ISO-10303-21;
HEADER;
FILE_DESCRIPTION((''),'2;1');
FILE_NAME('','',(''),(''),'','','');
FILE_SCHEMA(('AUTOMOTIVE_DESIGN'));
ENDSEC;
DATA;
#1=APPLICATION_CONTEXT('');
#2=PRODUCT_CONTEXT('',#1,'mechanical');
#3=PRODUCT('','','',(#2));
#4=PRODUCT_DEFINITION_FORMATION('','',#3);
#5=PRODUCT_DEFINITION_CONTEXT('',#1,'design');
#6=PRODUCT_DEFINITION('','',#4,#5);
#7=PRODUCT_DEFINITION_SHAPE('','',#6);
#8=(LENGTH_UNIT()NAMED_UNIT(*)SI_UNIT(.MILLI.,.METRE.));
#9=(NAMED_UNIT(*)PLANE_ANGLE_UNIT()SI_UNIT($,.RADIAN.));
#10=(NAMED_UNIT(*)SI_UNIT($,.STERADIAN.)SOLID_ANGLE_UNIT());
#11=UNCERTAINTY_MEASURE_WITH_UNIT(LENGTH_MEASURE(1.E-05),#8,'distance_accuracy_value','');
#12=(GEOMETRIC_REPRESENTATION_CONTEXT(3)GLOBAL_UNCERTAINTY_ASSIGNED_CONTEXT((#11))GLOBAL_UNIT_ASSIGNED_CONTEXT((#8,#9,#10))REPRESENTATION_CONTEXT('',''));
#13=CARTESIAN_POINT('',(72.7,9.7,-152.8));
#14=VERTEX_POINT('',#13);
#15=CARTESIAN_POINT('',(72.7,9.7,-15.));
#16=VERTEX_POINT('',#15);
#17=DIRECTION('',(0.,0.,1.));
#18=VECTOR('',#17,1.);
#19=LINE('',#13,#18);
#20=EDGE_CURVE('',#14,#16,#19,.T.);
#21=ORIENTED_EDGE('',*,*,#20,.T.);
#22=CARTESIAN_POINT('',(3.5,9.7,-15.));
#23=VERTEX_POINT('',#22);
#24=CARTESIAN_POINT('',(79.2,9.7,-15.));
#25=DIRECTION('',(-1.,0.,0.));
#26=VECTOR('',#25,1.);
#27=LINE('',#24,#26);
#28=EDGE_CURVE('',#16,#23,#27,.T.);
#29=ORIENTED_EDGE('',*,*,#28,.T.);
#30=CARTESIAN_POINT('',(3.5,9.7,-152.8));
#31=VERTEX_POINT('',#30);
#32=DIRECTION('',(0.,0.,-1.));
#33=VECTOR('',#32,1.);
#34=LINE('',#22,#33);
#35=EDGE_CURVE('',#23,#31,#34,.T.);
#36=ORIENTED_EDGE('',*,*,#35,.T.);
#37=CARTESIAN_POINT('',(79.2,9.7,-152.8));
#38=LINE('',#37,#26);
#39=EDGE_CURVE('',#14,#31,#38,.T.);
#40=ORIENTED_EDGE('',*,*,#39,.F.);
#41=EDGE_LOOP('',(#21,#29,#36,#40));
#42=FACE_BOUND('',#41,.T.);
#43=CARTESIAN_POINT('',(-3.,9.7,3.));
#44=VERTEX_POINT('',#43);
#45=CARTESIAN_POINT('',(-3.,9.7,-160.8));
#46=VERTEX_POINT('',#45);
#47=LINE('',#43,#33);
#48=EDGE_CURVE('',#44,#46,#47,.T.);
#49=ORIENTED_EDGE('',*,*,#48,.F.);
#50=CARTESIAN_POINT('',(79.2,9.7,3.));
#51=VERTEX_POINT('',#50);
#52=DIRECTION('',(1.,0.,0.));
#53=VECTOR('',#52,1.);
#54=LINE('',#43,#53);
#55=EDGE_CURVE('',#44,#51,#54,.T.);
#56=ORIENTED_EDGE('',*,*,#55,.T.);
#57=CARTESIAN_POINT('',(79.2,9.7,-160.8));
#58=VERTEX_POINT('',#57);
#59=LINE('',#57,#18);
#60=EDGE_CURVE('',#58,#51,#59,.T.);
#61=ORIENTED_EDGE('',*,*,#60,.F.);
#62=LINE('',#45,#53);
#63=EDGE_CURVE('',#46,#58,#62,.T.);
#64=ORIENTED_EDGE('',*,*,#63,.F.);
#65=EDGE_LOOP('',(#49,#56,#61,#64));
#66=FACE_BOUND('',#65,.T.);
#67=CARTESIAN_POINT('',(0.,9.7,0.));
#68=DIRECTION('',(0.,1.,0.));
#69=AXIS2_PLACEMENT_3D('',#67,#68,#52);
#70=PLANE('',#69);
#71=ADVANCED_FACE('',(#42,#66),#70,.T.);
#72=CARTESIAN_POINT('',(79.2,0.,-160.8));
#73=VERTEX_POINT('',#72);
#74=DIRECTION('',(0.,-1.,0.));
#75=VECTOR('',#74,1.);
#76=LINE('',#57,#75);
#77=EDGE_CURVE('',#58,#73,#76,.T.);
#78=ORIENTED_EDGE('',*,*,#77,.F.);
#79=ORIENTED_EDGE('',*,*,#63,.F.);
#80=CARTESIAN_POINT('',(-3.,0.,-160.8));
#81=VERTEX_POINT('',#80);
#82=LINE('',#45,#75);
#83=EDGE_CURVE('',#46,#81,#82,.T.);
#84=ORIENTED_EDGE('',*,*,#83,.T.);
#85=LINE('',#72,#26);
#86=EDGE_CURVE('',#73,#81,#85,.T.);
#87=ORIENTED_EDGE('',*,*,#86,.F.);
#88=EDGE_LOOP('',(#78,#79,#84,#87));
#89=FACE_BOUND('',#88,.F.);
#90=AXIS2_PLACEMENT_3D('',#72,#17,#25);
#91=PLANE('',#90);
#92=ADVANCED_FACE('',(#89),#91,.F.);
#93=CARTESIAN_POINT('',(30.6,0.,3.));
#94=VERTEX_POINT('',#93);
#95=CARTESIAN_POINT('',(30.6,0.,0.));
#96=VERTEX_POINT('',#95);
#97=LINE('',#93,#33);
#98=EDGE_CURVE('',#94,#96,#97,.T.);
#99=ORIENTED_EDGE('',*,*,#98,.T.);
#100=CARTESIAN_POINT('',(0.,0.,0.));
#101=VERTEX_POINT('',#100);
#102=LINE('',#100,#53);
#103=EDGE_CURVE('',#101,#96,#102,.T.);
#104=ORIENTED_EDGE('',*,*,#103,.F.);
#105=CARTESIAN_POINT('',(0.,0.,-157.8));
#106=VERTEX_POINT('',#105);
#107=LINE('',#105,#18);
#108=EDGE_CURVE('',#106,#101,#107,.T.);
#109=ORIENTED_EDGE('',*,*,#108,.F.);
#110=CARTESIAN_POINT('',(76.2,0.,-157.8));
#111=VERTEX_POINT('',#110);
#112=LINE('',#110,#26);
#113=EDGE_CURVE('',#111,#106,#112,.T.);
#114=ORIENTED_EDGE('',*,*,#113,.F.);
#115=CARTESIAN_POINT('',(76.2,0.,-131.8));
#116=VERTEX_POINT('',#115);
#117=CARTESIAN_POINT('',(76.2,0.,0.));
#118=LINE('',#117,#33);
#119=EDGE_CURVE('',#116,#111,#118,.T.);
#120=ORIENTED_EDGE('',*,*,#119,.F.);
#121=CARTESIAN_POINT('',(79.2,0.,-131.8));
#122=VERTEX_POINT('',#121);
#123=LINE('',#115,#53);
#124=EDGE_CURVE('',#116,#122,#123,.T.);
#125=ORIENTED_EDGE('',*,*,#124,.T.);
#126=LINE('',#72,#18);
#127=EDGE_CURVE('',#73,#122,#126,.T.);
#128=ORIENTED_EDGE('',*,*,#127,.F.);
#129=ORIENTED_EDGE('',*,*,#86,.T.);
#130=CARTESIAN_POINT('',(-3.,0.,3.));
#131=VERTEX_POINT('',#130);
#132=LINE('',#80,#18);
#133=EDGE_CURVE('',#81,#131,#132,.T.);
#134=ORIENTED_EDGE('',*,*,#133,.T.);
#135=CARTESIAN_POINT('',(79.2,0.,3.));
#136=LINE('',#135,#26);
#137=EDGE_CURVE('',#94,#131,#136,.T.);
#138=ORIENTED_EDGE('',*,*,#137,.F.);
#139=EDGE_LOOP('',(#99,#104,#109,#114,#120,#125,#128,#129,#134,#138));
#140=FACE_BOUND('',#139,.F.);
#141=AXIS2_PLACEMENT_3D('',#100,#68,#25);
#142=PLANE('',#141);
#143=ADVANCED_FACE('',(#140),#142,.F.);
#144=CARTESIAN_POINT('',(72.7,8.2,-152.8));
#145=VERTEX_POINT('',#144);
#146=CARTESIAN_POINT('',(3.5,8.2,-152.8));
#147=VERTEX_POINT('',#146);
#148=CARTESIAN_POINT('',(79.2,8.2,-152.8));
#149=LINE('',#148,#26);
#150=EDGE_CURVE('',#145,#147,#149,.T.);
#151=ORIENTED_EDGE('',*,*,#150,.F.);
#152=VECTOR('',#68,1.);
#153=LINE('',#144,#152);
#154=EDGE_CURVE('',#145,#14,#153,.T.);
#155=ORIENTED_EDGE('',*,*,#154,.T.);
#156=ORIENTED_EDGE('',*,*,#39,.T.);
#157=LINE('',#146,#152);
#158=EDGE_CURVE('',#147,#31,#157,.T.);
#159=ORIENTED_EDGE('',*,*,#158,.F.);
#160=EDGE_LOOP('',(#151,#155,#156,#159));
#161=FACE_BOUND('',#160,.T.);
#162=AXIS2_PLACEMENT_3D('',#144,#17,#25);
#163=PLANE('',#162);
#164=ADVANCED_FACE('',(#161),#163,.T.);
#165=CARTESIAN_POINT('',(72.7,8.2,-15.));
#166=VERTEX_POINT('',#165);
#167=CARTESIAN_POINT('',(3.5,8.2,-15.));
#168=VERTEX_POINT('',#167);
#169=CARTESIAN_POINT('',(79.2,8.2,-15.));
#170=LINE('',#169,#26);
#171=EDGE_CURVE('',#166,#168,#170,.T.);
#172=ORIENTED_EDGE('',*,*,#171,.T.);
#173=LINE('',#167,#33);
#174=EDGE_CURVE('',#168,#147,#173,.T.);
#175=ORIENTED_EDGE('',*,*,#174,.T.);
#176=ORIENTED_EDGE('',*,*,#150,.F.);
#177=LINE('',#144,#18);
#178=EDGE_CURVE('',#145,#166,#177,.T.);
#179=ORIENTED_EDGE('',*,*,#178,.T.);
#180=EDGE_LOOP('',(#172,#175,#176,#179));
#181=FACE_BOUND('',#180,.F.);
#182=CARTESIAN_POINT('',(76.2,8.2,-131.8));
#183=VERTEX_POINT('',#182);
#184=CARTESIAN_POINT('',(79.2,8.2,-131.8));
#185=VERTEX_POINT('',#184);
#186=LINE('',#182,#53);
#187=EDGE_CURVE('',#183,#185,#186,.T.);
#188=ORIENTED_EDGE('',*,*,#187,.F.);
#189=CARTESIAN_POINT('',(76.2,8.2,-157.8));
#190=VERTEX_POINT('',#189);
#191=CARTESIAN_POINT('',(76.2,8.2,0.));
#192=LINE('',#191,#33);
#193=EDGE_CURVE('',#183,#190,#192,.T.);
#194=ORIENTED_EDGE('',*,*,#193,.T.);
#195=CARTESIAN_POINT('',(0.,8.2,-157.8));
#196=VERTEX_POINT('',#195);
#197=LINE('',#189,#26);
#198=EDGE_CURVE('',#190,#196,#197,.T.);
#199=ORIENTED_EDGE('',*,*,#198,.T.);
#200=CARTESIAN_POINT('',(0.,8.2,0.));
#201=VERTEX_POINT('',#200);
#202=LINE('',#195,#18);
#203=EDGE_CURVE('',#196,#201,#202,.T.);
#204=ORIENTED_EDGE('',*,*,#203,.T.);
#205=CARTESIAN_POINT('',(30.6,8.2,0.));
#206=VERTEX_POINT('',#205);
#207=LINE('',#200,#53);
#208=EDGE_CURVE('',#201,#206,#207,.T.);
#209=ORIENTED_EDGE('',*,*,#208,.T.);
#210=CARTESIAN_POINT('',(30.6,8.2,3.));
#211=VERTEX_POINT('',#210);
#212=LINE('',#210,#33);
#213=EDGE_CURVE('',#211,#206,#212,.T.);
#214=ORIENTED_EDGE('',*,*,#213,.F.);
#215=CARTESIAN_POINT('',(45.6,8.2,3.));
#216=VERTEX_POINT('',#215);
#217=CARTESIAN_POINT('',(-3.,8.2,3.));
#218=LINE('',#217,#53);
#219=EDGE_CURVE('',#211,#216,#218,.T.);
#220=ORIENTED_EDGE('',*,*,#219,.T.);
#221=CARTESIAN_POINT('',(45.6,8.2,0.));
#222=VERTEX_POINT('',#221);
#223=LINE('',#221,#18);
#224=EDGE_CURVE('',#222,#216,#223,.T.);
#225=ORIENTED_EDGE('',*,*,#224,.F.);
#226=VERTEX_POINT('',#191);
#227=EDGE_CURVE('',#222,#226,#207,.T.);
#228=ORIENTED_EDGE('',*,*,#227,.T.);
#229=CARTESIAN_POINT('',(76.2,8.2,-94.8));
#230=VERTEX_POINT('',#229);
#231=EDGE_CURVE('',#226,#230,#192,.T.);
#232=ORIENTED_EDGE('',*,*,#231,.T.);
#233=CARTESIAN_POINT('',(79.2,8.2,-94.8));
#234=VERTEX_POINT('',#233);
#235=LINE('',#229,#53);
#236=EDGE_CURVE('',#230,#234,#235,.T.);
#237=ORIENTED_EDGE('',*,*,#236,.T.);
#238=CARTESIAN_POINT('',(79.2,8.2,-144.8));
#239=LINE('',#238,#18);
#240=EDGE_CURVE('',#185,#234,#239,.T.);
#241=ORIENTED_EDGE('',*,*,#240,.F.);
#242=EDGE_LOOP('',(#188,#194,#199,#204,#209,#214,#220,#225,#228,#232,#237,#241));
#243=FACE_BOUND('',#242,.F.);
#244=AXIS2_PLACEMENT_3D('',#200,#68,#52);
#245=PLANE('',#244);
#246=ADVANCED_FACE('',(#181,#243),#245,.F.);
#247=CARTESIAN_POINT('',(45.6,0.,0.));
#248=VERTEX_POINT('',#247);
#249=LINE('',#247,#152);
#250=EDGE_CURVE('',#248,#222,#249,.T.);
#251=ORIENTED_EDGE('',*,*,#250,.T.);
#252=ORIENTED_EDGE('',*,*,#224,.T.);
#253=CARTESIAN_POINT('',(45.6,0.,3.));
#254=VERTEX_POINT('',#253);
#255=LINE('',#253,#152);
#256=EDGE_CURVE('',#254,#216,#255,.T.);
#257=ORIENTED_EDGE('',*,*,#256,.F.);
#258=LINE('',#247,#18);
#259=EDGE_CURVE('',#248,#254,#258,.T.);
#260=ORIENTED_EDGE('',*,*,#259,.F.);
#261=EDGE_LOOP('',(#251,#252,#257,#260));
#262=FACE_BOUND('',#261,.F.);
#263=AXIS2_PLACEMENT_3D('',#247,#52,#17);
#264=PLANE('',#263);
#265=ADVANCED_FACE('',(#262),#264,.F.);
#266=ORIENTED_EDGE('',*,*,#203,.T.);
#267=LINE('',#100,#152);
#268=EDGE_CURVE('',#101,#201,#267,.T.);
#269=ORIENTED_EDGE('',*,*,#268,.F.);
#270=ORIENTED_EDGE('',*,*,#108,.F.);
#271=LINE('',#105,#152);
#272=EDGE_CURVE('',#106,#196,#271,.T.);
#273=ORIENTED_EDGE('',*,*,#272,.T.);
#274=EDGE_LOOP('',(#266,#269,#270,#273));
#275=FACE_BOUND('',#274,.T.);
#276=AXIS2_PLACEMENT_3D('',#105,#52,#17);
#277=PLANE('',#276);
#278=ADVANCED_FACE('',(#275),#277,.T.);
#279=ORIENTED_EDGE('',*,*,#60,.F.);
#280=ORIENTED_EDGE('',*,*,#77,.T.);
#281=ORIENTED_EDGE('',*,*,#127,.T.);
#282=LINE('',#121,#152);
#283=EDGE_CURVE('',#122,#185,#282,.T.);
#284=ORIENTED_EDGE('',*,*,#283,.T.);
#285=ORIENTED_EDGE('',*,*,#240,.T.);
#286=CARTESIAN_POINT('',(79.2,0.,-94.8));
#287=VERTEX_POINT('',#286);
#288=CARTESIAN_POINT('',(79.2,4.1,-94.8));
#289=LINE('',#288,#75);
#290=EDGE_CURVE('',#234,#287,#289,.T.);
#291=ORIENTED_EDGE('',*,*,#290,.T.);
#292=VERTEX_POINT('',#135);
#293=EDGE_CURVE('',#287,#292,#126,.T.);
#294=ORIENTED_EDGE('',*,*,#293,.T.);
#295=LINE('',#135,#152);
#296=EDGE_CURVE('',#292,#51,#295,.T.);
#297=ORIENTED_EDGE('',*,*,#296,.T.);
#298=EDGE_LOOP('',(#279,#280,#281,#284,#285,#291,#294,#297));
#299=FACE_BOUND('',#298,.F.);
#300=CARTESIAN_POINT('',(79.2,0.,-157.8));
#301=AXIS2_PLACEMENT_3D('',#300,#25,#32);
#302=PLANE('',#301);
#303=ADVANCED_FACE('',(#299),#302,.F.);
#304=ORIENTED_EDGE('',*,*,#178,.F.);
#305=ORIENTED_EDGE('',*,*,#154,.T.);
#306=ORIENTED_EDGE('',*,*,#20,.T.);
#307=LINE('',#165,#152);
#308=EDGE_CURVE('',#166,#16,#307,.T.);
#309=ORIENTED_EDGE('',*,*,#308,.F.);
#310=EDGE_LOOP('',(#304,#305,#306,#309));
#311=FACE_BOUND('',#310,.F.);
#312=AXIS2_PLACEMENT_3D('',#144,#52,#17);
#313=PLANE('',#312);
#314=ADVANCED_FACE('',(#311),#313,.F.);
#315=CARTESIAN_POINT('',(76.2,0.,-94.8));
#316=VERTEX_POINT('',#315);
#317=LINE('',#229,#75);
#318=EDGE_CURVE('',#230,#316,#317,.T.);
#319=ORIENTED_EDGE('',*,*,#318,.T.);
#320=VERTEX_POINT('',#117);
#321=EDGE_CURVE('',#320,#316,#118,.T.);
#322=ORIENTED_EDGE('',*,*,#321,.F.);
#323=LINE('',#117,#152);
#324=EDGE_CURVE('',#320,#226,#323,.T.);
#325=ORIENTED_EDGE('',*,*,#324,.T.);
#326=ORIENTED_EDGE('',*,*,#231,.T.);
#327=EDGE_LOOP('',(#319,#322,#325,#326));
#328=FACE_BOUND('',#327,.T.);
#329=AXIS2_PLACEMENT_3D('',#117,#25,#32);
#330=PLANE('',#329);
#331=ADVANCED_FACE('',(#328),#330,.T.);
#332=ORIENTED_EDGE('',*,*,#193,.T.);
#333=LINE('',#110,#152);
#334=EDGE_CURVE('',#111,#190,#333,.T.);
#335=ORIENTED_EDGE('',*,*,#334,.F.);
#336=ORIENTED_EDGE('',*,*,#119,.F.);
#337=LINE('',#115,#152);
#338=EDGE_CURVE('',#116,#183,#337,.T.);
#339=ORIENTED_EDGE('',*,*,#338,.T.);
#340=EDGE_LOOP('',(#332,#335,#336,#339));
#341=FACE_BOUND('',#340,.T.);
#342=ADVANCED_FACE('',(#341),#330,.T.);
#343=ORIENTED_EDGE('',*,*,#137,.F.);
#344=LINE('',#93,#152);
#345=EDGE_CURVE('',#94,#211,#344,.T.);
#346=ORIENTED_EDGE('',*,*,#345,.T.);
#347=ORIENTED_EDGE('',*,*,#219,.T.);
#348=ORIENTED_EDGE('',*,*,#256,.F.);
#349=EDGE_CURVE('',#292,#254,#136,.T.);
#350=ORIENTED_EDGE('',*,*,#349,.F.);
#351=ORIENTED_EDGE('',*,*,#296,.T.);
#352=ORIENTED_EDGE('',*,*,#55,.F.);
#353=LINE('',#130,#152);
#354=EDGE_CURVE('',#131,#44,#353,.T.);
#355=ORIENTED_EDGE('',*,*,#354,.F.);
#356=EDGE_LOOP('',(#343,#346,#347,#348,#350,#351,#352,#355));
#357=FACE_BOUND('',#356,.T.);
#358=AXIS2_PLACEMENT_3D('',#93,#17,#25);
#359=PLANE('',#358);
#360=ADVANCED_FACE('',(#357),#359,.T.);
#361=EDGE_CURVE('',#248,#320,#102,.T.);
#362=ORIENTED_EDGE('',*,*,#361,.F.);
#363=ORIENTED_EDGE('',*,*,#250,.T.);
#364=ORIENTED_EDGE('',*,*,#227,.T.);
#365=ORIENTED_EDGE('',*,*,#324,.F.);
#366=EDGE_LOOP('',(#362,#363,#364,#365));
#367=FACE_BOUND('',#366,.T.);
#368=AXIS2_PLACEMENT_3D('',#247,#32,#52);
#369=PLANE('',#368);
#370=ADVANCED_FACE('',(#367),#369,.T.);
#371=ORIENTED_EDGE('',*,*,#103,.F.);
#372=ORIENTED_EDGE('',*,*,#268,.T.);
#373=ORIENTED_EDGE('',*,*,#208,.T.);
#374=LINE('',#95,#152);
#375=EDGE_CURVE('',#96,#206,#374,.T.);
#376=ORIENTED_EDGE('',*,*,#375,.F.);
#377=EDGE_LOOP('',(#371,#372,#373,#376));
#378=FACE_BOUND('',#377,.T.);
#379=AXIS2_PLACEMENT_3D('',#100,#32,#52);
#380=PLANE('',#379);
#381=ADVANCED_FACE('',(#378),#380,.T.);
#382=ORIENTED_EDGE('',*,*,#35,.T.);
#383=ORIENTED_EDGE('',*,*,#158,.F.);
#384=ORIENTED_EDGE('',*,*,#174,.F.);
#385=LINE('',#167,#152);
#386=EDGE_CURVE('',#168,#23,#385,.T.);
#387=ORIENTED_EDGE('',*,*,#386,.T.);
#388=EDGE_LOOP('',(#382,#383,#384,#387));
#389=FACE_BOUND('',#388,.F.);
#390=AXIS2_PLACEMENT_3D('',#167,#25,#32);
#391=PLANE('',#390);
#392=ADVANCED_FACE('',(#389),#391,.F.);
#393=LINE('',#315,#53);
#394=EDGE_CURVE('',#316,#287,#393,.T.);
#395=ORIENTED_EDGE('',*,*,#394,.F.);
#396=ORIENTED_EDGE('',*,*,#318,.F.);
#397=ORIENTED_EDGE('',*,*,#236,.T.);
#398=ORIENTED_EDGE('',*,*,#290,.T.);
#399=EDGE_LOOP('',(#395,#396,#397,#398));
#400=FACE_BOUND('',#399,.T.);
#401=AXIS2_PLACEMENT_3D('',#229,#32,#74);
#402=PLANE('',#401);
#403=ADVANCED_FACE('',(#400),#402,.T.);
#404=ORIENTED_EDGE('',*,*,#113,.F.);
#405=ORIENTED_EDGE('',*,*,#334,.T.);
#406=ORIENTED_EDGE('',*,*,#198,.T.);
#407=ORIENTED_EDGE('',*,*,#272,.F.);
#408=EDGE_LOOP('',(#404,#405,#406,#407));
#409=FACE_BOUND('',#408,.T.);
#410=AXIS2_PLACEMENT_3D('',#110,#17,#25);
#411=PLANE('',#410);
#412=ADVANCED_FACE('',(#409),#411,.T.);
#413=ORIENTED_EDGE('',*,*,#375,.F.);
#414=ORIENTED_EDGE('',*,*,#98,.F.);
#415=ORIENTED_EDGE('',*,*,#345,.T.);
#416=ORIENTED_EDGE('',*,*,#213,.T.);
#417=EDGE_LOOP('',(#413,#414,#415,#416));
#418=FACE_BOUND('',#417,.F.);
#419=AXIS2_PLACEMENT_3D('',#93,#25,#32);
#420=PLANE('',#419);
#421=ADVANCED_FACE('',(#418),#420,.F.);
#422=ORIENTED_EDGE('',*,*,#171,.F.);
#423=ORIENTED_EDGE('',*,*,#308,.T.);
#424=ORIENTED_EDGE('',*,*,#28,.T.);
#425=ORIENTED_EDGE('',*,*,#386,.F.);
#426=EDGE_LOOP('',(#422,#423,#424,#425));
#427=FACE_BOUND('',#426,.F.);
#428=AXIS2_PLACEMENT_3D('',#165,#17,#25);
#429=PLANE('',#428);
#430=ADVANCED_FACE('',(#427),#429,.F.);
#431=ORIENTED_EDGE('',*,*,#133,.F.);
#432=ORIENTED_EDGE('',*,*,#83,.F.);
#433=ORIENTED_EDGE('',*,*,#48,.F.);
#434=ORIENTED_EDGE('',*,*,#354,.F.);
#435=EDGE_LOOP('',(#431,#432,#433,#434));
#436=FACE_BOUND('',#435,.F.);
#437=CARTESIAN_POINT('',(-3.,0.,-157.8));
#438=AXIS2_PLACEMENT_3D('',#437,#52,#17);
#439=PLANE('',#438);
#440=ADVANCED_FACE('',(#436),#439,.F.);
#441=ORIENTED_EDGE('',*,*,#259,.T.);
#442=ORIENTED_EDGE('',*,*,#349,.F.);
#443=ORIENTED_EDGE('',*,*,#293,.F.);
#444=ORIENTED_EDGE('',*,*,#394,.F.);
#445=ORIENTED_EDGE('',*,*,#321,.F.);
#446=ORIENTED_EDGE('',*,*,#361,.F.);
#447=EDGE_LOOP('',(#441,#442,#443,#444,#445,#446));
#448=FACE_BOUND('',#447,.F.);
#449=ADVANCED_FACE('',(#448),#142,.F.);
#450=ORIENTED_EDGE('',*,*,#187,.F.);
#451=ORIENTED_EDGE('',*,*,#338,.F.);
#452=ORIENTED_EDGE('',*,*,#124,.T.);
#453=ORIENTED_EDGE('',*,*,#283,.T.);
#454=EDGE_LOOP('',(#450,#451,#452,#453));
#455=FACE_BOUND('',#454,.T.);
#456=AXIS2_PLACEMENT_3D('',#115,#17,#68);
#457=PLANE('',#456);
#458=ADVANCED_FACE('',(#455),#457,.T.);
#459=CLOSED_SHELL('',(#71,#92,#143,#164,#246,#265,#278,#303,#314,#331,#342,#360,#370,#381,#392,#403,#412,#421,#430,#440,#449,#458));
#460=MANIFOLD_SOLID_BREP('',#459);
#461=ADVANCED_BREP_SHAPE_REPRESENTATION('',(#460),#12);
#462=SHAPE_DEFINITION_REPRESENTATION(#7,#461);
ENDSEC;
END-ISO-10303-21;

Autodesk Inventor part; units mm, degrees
ref_plane "YZ Plane" through (0, 0, 0) normal (1, 0, 0) x (0, 1, 0)
ref_plane "XZ Plane" through (0, 0, 0) normal (0, 1, 0) x (-1, 0, 0)
ref_plane "XY Plane" through (0, 0, 0) normal (0, 0, 1) x (1, 0, 0)
sketch "Sketch1" plane through (0, 0, 0) normal (0, 1, 0) x (-1, 0, 0)
  line L0 (0, 0) -> (-76.2, 0)
  line L1 (-76.2, 0) -> (-76.2, -157.8)
  line L2 (-76.2, -157.8) -> (0, -157.8)
  line L3 (0, -157.8) -> (0, 0)
  line L4 (-76.2, -157.8) -> (-79.2, -157.8)
  line L5 (-79.2, -157.8) -> (-79.2, 0)
  line L6 (-79.2, 0) -> (-76.2, 0)
  line L7 (-76.2, 0) -> (-76.2, -157.8)
  line L8 (0, -157.8) -> (3, -157.8)
  line L9 (3, -157.8) -> (3, 0)
  line L10 (3, 0) -> (0, 0)
  line L11 (0, 0) -> (0, -157.8)
  line L12 (3, 0) -> (-79.2, 0)
  line L13 (-79.2, 0) -> (-79.2, 3)
  line L14 (-79.2, 3) -> (3, 3)
  line L15 (3, 3) -> (3, 0)
  line L16 (-30.6, 0) -> (-45.6, 0)
  line L17 (-45.6, 0) -> (-45.6, 3)
  line L18 (-45.6, 3) -> (-30.6, 3)
  line L19 (-30.6, 3) -> (-30.6, 0)
  line L20 (3, -157.8) -> (-79.2, -157.8)
  line L21 (-79.2, -157.8) -> (-79.2, -160.8)
  line L22 (-79.2, -160.8) -> (3, -160.8)
  line L23 (3, -160.8) -> (3, -157.8)
  dimension "d0" = 76.2
  dimension "d1" = 157.8
  dimension "d2" = 3
  dimension "d3" = 3
  dimension "d4" = 3
  dimension "d5" = 15
  dimension "d6" = 33.6
  dimension "d7" = 33.6
  dimension "d8" = 3
extrude "Extrusion1" add sketch "Sketch1" along normal blind 8.2 contours L10 L9 L8 L3 | L0 L19 L14 L15 L10 | L8 L23 L22 L21 L4 L2 | L0 L6 L13 L14 L17 | L4 L5 L6 L1
sketch "Sketch6" plane through (0, 8.2, 0) normal (0, 1, 0) x (1, 0, 0)
  line L0 (79.2, -3) -> (79.2, 160.8) projected
  line L1 (-3, -3) -> (79.2, -3)
  line L2 (79.2, -3) -> (79.2, 15)
  line L3 (79.2, 15) -> (-3, 15)
  line L4 (-3, 15) -> (-3, -3)
  line L5 (-3, 160.8) -> (-3, -3) projected
  line L6 (-3, 160.8) -> (79.2, 160.8)
  line L7 (79.2, 160.8) -> (79.2, 152.8)
  line L8 (79.2, 152.8) -> (-3, 152.8)
  line L9 (-3, 152.8) -> (-3, 160.8)
  line L10 (-3, 15) -> (3.5, 15)
  line L11 (3.5, 15) -> (3.5, 152.8)
  line L12 (3.5, 152.8) -> (-3, 152.8)
  line L13 (-3, 152.8) -> (-3, 15)
  line L14 (79.2, 152.8) -> (72.7, 152.8)
  line L15 (72.7, 152.8) -> (72.7, 15)
  line L16 (72.7, 15) -> (79.2, 15)
  line L17 (79.2, 15) -> (79.2, 152.8)
  point P0 (0, 0)
  dimension "d22" = 18
  dimension "d23" = 8
  dimension "d24" = 6.5
  dimension "d25" = 6.5
extrude "Extrusion5" add sketch "Sketch6" along normal blind 1.5 contours L1 L4 L3 L0 | L3 L15 L8 L0 | L8 L5 L6 L0 | L5 L8 L11 L3
sketch "Sketch7" plane through (76.2, 0, -157.8) normal (-1, 0, 0) x (0, 0, 1)
  line L0 (0, 8.2) -> (157.8, 8.2) projected
  line L1 (0, 0) -> (157.8, 0) projected
  line L2 (26, 8.2) -> (63, 8.2)
  line L3 (63, 8.2) -> (63, 0)
  line L4 (63, 0) -> (26, 0)
  line L5 (26, 0) -> (26, 8.2)
  line L6 (0, 0) -> (0, 8.2) projected
  point P0 (26, 0)
  dimension "d28" = 37
  dimension "d29" = 26
extrude "Extrusion6" cut sketch "Sketch7" against normal blind 8 contours L0 L3 L1 L5
properties part number "caseMain"
